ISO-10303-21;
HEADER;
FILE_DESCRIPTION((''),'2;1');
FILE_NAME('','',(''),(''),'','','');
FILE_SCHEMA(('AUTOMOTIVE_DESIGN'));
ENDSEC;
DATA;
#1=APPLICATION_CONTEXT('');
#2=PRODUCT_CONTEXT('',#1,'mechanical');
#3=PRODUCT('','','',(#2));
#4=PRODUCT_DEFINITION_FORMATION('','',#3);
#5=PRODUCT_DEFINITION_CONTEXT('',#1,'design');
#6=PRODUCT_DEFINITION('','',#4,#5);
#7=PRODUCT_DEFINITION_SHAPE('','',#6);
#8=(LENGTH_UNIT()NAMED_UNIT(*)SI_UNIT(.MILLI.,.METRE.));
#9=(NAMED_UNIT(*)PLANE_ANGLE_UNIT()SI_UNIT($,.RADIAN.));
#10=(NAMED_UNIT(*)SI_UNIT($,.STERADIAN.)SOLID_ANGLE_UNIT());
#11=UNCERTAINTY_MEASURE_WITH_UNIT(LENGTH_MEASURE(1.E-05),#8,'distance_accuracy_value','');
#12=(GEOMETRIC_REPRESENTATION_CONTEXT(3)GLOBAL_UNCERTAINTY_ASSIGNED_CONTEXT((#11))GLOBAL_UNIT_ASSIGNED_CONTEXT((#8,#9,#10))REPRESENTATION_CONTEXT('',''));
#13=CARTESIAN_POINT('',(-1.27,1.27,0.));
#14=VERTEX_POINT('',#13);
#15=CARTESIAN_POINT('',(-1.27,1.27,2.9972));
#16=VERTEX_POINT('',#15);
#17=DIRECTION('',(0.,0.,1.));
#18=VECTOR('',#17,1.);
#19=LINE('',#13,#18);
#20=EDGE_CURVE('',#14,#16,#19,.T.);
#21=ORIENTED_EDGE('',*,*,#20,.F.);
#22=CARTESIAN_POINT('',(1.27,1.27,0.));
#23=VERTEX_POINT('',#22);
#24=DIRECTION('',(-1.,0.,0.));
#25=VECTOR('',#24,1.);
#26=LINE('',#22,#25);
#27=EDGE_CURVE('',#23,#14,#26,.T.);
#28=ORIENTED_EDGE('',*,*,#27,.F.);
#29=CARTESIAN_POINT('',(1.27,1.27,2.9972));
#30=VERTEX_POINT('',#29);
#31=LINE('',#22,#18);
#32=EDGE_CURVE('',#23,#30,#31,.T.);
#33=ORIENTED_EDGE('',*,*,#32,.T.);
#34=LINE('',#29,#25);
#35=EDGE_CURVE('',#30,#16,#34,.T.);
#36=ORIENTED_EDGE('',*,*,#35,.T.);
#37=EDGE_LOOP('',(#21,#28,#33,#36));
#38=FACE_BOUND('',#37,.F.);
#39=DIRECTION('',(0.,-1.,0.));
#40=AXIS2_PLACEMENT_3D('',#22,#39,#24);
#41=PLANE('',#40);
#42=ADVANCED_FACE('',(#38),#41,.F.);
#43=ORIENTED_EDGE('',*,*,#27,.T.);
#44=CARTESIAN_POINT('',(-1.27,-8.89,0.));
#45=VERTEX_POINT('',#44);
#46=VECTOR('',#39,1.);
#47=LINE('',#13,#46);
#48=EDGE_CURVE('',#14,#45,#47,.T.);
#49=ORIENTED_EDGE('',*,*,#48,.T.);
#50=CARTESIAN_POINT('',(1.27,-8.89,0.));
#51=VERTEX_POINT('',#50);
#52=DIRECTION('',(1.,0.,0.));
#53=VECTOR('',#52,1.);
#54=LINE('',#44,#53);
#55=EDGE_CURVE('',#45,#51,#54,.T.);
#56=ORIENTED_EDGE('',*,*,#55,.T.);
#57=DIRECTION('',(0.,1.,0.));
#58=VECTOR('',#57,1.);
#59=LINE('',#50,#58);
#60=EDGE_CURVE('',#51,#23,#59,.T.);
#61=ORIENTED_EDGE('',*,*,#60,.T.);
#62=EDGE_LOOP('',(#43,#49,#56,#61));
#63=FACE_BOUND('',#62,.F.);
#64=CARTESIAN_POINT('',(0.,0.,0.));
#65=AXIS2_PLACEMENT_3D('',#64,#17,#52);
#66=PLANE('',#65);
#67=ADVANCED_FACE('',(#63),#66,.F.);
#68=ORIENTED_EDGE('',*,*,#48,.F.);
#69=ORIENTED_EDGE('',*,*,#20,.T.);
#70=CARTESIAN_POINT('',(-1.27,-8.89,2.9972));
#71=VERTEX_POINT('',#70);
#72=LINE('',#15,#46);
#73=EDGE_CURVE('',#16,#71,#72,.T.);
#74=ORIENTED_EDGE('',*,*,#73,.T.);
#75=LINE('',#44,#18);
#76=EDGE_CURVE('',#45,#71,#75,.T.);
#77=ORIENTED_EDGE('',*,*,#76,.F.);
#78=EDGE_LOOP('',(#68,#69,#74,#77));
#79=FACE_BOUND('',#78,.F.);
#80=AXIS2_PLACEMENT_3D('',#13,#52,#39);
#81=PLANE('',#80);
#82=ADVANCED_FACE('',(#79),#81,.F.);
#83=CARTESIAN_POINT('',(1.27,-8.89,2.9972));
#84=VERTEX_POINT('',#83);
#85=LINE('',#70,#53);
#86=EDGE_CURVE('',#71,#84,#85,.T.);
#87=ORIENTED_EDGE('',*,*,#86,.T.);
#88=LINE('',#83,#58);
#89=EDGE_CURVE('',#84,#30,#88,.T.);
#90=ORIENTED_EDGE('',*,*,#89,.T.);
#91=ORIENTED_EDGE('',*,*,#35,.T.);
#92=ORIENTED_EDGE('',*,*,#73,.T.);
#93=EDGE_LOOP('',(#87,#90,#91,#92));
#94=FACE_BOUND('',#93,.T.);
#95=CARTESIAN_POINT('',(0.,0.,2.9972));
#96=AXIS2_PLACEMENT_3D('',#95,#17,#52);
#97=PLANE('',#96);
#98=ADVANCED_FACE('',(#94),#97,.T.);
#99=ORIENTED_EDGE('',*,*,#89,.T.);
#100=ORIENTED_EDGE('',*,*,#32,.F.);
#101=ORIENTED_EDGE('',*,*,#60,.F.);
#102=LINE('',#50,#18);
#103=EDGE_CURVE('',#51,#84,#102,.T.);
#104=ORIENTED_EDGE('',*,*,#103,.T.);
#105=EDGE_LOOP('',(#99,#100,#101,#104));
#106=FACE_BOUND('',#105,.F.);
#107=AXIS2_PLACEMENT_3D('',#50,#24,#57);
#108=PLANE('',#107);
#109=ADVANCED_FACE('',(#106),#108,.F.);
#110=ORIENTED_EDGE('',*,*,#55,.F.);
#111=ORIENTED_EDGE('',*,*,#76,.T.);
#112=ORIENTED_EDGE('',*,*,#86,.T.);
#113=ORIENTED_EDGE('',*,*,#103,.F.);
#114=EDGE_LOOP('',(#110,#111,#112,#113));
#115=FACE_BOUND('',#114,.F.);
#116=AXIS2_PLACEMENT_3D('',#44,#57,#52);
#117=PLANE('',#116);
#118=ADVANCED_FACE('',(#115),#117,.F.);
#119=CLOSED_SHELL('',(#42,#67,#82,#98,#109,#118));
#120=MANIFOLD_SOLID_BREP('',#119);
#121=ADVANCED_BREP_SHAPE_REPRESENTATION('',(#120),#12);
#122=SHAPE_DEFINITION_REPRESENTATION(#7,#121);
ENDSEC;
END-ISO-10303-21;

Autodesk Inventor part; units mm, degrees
ref_plane "YZ Plane" through (0, 0, 0) normal (1, 0, 0) x (0, 1, 0)
ref_plane "XZ Plane" through (0, 0, 0) normal (0, 1, 0) x (-1, 0, 0)
ref_plane "XY Plane" through (0, 0, 0) normal (0, 0, 1) x (1, 0, 0)
sketch "4, 4WP_33" plane through (0, 0, 0) normal (0, 0, 1) x (1, 0, 0)
  line L0 (-1.27, 1.27) -> (-1.27, -8.89)
  line L1 (-1.27, -8.89) -> (1.27, -8.89)
  line L2 (1.27, -8.89) -> (1.27, 1.27)
  line L3 (1.27, 1.27) -> (-1.27, 1.27)
extrude "Extrusion1" add sketch "4, 4WP_33" along normal blind 2.9972
properties part number "4WP"
